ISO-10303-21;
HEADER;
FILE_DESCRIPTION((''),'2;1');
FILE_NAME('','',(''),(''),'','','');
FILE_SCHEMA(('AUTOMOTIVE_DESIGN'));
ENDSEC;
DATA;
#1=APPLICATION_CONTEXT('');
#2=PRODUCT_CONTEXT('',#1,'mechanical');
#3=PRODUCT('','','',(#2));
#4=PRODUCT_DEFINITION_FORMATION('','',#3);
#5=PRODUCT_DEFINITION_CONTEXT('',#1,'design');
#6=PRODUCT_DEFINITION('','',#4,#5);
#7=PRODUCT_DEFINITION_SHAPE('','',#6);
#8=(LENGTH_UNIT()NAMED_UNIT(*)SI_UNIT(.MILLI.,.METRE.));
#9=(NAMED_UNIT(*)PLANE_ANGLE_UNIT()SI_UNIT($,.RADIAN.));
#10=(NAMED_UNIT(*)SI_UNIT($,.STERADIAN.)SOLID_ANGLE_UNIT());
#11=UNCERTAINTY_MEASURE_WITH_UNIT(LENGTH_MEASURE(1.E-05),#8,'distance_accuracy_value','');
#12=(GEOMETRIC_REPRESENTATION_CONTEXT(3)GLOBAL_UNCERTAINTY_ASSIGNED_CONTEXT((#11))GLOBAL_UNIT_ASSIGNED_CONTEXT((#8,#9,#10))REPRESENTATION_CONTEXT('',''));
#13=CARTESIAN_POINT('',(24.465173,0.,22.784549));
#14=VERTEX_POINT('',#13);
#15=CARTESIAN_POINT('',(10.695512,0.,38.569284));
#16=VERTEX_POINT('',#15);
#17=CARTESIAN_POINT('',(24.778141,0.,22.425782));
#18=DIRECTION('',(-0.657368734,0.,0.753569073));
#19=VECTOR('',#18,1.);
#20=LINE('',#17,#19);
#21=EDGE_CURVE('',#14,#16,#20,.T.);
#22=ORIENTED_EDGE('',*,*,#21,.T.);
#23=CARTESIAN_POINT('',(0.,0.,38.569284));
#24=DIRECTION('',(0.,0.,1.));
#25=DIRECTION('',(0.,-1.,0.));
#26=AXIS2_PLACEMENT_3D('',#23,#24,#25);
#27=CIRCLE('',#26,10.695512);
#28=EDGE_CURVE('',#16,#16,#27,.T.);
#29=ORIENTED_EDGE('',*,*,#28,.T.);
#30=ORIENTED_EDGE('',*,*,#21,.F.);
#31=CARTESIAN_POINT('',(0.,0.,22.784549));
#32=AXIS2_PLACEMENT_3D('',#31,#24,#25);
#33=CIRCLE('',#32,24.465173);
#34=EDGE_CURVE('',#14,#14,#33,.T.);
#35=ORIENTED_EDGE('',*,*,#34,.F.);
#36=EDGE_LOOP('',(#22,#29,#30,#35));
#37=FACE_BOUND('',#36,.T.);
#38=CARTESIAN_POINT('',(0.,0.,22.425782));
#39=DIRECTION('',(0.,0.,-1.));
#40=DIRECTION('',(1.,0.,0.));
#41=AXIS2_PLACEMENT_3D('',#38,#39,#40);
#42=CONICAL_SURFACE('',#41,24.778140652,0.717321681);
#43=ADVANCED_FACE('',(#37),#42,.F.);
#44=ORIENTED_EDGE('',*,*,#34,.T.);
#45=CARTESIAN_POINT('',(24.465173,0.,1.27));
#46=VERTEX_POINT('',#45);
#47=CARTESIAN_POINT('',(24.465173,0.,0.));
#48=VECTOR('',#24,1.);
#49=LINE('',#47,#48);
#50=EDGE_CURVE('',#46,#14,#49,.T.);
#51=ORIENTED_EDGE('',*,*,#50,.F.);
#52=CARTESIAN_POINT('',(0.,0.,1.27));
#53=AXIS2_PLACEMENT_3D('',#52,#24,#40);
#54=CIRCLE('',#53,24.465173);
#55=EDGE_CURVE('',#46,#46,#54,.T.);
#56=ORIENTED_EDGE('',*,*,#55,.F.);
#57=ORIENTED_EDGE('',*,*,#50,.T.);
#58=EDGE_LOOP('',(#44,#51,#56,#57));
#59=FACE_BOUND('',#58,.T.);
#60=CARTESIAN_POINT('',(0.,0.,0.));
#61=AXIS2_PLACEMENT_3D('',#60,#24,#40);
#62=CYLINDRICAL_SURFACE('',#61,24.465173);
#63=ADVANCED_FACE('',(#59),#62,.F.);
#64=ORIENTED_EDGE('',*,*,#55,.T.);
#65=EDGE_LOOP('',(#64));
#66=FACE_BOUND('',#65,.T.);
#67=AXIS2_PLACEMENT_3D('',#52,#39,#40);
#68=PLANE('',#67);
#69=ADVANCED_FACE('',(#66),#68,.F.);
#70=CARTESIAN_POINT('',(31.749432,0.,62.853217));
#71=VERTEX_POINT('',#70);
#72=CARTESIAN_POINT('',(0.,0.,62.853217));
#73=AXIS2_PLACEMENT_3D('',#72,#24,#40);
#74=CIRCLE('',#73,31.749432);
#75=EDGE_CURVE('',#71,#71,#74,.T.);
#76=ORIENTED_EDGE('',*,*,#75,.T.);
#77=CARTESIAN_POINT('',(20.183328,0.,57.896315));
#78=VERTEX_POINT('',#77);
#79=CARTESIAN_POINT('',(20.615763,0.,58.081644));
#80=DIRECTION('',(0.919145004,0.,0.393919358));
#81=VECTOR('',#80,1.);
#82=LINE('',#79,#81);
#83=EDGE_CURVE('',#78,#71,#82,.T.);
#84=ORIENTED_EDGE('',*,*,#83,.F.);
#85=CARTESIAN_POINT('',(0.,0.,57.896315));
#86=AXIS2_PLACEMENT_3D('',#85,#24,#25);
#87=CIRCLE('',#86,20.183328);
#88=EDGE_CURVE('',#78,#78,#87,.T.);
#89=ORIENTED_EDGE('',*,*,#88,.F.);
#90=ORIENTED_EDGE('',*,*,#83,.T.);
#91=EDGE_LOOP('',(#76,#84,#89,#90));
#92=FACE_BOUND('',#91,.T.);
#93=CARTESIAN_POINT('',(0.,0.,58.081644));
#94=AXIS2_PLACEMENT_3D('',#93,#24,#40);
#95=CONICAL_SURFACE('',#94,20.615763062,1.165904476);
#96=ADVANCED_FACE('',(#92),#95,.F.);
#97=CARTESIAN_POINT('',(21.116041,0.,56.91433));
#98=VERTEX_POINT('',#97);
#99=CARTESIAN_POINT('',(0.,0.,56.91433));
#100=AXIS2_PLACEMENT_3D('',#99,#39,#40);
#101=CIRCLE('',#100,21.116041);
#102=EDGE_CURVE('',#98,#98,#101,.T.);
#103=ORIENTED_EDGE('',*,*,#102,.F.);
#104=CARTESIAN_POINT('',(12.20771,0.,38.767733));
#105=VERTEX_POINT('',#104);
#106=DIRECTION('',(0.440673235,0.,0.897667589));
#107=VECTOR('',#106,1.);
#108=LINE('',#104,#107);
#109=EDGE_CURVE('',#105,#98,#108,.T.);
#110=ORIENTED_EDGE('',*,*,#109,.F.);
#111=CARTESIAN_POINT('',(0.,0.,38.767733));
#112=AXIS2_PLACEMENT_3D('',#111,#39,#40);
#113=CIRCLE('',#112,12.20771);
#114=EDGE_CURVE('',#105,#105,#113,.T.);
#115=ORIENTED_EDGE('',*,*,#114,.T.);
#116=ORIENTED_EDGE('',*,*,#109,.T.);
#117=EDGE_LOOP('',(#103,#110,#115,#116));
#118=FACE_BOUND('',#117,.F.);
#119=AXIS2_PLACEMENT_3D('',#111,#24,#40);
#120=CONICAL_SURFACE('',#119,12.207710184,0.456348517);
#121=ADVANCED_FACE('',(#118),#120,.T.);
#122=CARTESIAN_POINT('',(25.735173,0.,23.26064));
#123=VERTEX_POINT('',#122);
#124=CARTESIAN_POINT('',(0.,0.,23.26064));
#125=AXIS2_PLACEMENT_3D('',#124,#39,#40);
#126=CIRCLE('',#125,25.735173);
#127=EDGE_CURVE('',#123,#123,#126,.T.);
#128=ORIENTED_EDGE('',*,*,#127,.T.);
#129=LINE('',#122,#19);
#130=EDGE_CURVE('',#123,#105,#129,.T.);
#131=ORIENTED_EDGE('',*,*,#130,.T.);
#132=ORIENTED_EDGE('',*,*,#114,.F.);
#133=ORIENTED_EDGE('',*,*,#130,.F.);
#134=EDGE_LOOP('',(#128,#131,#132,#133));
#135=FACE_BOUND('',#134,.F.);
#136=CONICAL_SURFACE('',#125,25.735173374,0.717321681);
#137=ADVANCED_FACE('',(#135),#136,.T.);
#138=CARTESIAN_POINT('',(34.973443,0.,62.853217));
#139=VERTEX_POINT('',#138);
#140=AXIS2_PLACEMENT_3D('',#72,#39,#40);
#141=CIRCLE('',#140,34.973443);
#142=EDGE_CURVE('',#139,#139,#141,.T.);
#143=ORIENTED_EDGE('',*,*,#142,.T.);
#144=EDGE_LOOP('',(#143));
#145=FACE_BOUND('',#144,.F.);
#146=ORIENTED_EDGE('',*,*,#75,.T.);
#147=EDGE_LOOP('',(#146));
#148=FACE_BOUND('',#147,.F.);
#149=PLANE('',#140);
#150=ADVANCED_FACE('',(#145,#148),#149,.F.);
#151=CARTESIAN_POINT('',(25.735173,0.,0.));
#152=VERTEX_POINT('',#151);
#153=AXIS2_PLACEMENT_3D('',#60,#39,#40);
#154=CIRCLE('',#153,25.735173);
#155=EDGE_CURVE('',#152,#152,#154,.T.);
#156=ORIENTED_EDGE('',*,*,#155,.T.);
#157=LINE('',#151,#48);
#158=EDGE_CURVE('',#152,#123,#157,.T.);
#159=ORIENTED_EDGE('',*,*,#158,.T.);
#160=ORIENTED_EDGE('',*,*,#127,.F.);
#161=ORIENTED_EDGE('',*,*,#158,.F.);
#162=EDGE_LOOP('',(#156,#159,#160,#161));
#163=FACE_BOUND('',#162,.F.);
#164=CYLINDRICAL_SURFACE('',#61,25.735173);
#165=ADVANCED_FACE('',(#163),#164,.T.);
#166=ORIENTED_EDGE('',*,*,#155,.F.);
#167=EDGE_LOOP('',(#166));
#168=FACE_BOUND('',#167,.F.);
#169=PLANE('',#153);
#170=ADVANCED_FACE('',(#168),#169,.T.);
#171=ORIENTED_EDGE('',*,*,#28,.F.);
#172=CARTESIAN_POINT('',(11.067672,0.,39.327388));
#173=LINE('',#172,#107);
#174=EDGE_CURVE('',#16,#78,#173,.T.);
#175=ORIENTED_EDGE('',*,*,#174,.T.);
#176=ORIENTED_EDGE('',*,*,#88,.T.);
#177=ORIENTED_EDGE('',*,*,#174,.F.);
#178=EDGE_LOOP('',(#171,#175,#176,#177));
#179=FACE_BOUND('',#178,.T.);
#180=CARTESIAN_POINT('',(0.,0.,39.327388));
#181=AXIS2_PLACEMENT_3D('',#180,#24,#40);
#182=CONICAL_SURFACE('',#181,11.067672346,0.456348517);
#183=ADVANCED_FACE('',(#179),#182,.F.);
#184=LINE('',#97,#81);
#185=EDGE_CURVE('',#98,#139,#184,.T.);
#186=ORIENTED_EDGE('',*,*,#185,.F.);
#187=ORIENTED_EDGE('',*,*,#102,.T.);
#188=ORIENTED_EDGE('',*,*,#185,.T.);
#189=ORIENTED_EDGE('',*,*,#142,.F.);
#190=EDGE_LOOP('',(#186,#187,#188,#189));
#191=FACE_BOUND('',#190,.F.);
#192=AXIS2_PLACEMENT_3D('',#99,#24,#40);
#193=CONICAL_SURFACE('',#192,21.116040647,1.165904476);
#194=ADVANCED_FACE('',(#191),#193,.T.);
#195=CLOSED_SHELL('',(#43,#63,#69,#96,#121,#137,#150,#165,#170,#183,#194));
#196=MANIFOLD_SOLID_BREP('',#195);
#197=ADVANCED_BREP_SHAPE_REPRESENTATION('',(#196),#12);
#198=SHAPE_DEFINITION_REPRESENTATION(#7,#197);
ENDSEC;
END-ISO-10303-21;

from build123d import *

# Parameters (mm, degrees)
F2_T = -1.27


with BuildPart() as f1:
    # F0 (on Front) → F1 (revolve)
    with BuildSketch(Plane.XZ):
        Polygon((0, 62.8532171249), (0, 0), (25.7351733744, 0), (25.7351733744, 23.2606399804), (12.2077101842, 38.7677326798), (21.116040647, 56.9143295288), (34.9734425545, 62.8532171249), align=None)
    revolve(axis=Axis((0, 0, 31.4266085625), (0, 0, -1)))

    # F2
    f2_openings = [f1.faces().sort_by_distance(p)[0] for p in [
        (0, 0, 62.853217),
    ]]
    offset(amount=F2_T, openings=f2_openings, kind=Kind.INTERSECTION)


solid = f1.part
